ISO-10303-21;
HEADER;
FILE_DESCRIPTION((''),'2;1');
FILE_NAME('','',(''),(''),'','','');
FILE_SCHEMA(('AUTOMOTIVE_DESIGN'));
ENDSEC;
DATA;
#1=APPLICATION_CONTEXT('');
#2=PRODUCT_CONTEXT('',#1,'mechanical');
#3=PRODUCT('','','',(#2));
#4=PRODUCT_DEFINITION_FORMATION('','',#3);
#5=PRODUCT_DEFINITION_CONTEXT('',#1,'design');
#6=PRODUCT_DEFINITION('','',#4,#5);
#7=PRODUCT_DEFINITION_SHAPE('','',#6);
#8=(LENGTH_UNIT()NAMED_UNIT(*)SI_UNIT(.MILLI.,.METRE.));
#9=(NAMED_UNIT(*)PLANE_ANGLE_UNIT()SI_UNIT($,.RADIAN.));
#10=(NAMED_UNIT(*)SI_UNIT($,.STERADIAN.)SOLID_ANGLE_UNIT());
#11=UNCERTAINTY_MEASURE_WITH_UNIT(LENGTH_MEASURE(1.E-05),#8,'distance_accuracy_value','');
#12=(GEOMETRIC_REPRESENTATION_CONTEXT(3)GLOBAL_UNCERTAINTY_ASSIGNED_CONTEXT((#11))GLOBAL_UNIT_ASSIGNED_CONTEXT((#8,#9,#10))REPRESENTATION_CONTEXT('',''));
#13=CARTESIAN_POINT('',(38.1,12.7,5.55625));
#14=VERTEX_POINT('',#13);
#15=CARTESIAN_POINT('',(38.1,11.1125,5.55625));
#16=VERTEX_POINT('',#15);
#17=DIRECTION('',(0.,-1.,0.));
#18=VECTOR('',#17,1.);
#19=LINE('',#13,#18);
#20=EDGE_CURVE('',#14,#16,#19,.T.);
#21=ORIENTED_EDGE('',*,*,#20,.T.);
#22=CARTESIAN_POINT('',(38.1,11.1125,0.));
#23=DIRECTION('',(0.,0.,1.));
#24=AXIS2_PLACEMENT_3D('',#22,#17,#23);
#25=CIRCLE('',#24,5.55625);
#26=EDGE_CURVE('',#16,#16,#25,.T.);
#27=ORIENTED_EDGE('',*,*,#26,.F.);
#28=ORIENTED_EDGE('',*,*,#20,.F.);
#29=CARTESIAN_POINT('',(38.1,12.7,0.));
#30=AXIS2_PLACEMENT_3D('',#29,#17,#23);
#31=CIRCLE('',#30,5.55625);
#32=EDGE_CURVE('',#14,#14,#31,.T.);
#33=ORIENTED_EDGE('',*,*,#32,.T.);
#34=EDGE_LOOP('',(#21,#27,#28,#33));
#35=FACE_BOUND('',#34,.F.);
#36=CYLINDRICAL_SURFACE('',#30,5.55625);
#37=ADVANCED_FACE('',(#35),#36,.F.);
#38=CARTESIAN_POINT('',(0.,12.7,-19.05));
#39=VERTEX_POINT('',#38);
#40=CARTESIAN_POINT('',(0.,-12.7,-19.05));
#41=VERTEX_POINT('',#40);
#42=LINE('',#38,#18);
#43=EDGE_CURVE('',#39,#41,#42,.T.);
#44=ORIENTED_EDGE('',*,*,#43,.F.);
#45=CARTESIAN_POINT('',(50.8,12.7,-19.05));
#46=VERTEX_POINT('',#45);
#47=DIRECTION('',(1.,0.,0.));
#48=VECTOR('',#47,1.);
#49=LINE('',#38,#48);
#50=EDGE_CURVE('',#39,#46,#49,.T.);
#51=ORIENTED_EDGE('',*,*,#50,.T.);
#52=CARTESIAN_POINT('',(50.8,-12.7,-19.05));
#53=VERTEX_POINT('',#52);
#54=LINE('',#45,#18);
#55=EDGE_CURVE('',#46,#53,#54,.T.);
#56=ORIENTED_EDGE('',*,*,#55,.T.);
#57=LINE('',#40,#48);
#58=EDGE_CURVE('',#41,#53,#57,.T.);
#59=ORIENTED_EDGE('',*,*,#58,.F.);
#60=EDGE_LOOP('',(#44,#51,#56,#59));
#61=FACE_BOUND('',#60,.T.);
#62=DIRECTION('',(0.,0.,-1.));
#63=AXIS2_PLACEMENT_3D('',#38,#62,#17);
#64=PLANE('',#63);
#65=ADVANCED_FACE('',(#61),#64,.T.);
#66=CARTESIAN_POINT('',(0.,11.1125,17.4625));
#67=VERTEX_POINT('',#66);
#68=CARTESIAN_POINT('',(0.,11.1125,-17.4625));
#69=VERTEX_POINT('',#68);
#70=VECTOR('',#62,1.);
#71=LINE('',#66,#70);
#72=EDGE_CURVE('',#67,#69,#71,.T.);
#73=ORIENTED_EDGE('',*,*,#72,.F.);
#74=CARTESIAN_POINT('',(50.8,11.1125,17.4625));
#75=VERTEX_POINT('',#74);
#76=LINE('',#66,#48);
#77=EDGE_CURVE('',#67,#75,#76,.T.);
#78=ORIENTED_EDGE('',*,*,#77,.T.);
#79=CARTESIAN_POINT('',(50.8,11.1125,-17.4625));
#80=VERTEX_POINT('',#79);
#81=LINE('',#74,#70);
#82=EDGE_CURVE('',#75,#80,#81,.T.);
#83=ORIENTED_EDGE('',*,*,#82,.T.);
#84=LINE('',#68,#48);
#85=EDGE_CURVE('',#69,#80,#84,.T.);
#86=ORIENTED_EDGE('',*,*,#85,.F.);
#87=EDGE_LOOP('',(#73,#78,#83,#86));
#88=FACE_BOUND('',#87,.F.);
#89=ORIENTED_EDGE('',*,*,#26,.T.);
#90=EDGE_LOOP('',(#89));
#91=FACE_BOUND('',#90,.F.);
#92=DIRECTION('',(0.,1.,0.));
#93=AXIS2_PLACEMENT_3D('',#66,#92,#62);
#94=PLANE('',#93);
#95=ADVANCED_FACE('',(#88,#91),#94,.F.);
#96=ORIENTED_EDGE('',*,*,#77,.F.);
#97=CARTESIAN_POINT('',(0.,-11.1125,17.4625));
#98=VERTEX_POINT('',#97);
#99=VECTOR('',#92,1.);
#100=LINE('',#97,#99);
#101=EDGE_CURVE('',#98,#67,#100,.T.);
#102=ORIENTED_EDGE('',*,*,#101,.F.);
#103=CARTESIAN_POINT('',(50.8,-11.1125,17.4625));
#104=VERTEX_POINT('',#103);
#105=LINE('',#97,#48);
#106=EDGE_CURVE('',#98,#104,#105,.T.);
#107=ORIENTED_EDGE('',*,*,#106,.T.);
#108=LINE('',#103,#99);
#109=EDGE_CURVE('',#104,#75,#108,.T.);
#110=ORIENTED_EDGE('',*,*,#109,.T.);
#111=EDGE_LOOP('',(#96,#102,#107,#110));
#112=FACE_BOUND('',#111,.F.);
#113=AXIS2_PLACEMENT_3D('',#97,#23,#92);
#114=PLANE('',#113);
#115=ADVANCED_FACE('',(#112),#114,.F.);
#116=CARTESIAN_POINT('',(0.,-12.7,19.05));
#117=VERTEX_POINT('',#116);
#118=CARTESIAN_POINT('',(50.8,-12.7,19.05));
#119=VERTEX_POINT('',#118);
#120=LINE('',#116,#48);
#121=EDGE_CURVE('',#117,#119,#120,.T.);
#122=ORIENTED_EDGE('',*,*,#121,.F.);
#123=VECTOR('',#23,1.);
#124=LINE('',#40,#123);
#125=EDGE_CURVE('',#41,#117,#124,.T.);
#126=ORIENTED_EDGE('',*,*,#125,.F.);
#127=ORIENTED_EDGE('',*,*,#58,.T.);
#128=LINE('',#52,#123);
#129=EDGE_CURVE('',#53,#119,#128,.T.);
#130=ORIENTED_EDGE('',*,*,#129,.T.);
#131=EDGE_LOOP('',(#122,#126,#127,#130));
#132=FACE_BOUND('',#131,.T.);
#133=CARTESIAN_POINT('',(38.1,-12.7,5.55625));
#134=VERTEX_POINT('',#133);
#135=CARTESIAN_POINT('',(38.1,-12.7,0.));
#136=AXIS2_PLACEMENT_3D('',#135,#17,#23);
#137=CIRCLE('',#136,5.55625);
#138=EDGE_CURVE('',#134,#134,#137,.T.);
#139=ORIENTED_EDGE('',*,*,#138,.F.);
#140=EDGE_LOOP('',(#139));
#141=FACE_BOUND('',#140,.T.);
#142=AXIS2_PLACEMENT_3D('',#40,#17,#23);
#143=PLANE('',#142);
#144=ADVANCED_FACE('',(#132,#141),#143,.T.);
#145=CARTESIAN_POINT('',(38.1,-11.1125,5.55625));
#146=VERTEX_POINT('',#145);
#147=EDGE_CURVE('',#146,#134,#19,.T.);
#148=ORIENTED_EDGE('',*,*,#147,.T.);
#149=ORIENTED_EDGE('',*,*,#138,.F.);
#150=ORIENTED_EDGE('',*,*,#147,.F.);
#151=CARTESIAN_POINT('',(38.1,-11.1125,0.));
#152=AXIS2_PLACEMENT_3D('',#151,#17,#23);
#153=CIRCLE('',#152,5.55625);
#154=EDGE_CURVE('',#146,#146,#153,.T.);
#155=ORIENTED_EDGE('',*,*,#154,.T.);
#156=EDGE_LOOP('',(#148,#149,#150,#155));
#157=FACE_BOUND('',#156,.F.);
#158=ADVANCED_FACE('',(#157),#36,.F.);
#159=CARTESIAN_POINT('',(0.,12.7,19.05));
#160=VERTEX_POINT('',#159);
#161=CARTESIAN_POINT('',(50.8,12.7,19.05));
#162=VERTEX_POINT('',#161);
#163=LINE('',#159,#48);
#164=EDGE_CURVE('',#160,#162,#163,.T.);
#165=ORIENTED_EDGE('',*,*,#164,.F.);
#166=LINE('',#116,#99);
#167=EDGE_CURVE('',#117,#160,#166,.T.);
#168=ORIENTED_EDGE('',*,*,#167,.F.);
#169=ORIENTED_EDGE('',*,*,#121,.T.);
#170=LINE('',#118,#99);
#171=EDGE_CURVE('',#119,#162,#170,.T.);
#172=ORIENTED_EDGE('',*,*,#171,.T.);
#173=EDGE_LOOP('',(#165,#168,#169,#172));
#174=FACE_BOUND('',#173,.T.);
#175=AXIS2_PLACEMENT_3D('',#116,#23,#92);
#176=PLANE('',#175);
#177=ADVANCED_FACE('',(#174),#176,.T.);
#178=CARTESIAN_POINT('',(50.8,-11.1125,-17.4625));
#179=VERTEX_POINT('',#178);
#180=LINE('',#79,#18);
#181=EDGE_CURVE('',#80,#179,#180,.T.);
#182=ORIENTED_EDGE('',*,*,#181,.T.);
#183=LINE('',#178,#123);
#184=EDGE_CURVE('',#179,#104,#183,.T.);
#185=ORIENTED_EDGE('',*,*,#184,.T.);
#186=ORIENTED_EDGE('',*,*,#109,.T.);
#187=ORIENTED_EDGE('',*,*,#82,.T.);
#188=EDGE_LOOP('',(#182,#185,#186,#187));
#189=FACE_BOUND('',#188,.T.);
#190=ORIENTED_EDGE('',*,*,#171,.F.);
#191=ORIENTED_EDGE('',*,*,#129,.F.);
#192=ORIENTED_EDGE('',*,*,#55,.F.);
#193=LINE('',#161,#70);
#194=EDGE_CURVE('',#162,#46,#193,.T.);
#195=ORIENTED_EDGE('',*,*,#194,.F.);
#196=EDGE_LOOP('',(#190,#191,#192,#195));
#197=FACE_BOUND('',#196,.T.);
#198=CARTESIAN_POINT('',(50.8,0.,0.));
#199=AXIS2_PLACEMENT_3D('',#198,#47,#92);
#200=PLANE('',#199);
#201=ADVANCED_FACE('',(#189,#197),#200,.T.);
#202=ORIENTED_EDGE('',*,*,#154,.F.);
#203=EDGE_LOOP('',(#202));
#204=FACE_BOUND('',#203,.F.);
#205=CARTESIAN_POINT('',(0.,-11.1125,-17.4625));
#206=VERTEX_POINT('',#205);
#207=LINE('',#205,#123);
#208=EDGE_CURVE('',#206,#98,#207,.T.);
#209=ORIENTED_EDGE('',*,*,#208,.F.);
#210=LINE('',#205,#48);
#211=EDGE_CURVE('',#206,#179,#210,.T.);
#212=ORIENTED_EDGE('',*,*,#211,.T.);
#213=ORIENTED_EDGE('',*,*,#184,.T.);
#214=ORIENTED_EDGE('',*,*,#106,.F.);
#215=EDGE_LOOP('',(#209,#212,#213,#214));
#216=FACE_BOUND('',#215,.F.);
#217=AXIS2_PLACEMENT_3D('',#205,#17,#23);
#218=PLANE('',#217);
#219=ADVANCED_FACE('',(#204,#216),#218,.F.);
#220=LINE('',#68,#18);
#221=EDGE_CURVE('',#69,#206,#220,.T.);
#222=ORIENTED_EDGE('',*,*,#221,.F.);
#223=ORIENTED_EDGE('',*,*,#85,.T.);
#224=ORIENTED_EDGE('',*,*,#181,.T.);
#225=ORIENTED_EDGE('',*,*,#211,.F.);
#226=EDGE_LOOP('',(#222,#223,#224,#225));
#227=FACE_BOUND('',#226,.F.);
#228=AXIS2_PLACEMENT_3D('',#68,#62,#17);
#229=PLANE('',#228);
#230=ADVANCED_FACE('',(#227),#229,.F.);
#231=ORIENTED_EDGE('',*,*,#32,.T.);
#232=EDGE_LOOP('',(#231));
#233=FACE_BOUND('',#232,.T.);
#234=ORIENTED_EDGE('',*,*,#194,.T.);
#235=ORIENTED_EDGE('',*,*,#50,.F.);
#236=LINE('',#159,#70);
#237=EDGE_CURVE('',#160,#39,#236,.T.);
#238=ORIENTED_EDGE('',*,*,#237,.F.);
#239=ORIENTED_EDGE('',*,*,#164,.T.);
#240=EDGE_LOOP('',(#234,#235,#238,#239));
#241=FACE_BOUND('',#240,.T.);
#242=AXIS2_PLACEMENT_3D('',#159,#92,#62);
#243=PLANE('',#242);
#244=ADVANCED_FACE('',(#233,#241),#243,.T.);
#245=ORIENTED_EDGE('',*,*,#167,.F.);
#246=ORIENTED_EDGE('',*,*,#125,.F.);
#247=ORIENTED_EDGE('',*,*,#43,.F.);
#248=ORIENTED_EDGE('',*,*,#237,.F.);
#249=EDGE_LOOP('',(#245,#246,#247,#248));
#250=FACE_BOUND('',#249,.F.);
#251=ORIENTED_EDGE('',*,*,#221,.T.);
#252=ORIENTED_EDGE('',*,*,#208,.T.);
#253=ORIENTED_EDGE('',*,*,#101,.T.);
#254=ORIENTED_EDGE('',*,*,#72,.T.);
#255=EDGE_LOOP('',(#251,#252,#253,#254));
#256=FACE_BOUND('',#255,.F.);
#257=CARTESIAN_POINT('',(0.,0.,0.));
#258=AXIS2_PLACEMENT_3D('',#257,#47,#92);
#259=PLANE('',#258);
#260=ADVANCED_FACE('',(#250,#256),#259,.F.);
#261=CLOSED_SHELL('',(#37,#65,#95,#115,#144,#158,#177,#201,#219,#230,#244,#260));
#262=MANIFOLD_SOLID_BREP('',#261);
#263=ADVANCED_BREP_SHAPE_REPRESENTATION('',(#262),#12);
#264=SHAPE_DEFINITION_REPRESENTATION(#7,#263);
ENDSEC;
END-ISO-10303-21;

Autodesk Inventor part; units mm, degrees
ref_plane "Work Plane3" through (0, 12.7, 0) normal (0, 1, 0) x (-1, 0, 0)
ref_plane "Start Plane" through (0, 0, 0) normal (1, 0, 0) x (0, 1, 0)
ref_plane "End Plane" through (50.8, 0, 0) normal (1, 0, 0) x (0, 1, 0)
sketch "Sketch" plane through (0, 0, 0) normal (1, 0, 0) x (0, 1, 0)
  line L0 (-12.7, 19.05) -> (12.7, 19.05)
  line L1 (12.7, 19.05) -> (12.7, -19.05)
  line L2 (12.7, -19.05) -> (-12.7, -19.05)
  line L3 (-12.7, -19.05) -> (-12.7, 19.05)
  line L4 (-12.7, 19.05) -> (12.7, -19.05) construction
  line L5 (12.7, 19.05) -> (-12.7, -19.05) construction
  line L6 (-11.1125, 17.4625) -> (11.1125, 17.4625)
  line L7 (11.1125, 17.4625) -> (11.1125, -17.4625)
  line L8 (11.1125, -17.4625) -> (-11.1125, -17.4625)
  line L9 (-11.1125, -17.4625) -> (-11.1125, 17.4625)
  line L10 (-11.1125, 17.4625) -> (11.1125, -17.4625) construction
  line L11 (11.1125, 17.4625) -> (-11.1125, -17.4625) construction
  point P0 (0, 0)
  dimension "d0" = 38.1
  dimension "d1" = 25.4
  dimension "d2" = 1.5875
  dimension "d3" = 1.5875
extrude "Body" add sketch "Sketch" along normal up to surface (50.8 mm away) from surface at 0
sketch "Sketch8" plane through (0, 0, 0) normal (1, 0, 0) x (0, 1, 0)
  line L0 (0, 0) -> (10, 0)
ref_plane "Work Plane6" through (0, 0, 0) normal (0, 0, -1) x (0, 1, 0)
sketch "Sketch9" plane through (0, 0, 0) normal (0, 0, -1) x (0, 1, 0)
  line L0 (-17.78, 0) -> (17.78, 0)
  line L1 (-17.78, 50.8) -> (17.78, 50.8)
  dimension "d21" = 50.8
sketch "Sketch5" plane through (0, 12.7, -19.05) normal (0, 1, 0) x (1, 0, 0)
  line L0 (0, -38.1) -> (0, 0) projected
  point P0 (0, -19.05)
  point P1 (38.1, -19.05)
  dimension "d22" = 38.1
hole "Hole2" at (38.1, 12.7, 0) direction (0, -1, 0) diameter 11.1125 end through all
equation "\"d3\" = d2"
equation "\"G_OFFSET_START\" = 0"
equation "\"G_OFFSET_END\" = 0"
equation "\"d17\" = d4 + G_OFFSET_END"
equation "\"G_L\" = d21"
equation "\"d4\" = 50.8"
properties part number "1605682847299"
